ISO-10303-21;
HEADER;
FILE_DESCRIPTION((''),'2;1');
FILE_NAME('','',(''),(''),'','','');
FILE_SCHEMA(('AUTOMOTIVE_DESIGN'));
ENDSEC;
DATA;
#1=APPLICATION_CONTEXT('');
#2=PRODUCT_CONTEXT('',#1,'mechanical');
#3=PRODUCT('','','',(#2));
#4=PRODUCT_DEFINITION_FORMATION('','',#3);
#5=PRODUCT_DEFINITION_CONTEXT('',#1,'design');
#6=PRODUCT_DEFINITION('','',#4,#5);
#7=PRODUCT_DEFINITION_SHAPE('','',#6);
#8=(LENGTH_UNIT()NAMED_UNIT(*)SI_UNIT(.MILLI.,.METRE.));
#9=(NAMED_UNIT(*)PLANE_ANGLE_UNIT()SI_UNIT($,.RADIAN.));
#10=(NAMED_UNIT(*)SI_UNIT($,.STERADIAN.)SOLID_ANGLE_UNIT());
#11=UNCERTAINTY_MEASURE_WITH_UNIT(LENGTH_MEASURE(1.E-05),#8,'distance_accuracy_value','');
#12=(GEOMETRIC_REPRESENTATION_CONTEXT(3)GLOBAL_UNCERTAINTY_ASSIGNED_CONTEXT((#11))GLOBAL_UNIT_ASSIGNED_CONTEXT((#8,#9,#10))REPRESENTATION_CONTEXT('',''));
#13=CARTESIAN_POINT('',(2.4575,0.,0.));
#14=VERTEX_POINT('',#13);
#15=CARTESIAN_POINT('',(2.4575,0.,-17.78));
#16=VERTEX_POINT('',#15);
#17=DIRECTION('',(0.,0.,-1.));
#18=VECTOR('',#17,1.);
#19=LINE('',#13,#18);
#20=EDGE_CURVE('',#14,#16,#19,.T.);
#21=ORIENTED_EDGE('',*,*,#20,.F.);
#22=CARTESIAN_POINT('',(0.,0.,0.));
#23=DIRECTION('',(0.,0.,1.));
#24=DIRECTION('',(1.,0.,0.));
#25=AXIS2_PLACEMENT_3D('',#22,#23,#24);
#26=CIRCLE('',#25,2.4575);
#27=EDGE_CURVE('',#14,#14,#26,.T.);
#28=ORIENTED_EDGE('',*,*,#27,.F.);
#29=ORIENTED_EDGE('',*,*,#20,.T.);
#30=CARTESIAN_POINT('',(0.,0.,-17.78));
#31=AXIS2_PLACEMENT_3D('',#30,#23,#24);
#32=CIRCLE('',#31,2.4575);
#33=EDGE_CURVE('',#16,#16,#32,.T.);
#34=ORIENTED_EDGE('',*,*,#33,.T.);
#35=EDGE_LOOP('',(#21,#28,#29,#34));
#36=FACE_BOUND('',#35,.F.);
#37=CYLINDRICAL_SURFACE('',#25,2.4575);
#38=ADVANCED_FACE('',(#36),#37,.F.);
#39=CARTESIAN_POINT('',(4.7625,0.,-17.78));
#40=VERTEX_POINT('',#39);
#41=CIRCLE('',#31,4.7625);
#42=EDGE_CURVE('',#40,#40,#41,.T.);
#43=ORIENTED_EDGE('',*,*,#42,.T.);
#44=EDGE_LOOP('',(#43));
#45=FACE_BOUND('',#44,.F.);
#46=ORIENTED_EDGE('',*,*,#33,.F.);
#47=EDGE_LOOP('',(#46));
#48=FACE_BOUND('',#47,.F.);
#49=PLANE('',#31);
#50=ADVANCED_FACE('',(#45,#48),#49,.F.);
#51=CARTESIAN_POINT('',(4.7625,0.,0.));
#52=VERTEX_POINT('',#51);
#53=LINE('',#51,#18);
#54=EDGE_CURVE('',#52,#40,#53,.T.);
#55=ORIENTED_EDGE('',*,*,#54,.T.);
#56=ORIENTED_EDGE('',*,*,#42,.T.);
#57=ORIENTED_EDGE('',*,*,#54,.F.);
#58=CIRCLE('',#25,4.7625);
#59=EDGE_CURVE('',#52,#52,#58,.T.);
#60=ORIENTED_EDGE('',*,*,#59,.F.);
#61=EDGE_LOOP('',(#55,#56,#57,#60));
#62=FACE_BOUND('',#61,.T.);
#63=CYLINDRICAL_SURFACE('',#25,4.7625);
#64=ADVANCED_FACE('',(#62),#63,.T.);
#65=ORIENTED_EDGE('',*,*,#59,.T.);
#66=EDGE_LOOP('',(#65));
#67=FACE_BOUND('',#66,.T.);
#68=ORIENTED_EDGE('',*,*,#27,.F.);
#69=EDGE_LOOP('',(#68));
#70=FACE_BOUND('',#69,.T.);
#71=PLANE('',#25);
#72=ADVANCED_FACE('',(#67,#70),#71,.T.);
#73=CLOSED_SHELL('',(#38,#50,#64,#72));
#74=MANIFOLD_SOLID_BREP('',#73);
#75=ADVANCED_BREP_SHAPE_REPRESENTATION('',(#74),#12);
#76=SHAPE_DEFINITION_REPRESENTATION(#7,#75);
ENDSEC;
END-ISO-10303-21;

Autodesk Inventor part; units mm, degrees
ref_plane "YZ Plane" through (0, 0, 0) normal (1, 0, 0) x (0, 1, 0)
ref_plane "XZ Plane" through (0, 0, 0) normal (0, 1, 0) x (-1, 0, 0)
ref_plane "XY Plane" through (0, 0, 0) normal (0, 0, 1) x (1, 0, 0)
sketch "Sketch1" plane through (0, 0, 0) normal (0, 0, 1) x (1, 0, 0)
  circle A0 centre (0, 0) radius 4.7625
  circle A1 centre (0, 0) radius 2.4575
  dimension "d0" = 9.525
  dimension "d1" = 4.9149
extrude "Extrusion1" add sketch "Sketch1" against normal blind 17.78
properties part number "Spacers BD gearbox back to ctr"
